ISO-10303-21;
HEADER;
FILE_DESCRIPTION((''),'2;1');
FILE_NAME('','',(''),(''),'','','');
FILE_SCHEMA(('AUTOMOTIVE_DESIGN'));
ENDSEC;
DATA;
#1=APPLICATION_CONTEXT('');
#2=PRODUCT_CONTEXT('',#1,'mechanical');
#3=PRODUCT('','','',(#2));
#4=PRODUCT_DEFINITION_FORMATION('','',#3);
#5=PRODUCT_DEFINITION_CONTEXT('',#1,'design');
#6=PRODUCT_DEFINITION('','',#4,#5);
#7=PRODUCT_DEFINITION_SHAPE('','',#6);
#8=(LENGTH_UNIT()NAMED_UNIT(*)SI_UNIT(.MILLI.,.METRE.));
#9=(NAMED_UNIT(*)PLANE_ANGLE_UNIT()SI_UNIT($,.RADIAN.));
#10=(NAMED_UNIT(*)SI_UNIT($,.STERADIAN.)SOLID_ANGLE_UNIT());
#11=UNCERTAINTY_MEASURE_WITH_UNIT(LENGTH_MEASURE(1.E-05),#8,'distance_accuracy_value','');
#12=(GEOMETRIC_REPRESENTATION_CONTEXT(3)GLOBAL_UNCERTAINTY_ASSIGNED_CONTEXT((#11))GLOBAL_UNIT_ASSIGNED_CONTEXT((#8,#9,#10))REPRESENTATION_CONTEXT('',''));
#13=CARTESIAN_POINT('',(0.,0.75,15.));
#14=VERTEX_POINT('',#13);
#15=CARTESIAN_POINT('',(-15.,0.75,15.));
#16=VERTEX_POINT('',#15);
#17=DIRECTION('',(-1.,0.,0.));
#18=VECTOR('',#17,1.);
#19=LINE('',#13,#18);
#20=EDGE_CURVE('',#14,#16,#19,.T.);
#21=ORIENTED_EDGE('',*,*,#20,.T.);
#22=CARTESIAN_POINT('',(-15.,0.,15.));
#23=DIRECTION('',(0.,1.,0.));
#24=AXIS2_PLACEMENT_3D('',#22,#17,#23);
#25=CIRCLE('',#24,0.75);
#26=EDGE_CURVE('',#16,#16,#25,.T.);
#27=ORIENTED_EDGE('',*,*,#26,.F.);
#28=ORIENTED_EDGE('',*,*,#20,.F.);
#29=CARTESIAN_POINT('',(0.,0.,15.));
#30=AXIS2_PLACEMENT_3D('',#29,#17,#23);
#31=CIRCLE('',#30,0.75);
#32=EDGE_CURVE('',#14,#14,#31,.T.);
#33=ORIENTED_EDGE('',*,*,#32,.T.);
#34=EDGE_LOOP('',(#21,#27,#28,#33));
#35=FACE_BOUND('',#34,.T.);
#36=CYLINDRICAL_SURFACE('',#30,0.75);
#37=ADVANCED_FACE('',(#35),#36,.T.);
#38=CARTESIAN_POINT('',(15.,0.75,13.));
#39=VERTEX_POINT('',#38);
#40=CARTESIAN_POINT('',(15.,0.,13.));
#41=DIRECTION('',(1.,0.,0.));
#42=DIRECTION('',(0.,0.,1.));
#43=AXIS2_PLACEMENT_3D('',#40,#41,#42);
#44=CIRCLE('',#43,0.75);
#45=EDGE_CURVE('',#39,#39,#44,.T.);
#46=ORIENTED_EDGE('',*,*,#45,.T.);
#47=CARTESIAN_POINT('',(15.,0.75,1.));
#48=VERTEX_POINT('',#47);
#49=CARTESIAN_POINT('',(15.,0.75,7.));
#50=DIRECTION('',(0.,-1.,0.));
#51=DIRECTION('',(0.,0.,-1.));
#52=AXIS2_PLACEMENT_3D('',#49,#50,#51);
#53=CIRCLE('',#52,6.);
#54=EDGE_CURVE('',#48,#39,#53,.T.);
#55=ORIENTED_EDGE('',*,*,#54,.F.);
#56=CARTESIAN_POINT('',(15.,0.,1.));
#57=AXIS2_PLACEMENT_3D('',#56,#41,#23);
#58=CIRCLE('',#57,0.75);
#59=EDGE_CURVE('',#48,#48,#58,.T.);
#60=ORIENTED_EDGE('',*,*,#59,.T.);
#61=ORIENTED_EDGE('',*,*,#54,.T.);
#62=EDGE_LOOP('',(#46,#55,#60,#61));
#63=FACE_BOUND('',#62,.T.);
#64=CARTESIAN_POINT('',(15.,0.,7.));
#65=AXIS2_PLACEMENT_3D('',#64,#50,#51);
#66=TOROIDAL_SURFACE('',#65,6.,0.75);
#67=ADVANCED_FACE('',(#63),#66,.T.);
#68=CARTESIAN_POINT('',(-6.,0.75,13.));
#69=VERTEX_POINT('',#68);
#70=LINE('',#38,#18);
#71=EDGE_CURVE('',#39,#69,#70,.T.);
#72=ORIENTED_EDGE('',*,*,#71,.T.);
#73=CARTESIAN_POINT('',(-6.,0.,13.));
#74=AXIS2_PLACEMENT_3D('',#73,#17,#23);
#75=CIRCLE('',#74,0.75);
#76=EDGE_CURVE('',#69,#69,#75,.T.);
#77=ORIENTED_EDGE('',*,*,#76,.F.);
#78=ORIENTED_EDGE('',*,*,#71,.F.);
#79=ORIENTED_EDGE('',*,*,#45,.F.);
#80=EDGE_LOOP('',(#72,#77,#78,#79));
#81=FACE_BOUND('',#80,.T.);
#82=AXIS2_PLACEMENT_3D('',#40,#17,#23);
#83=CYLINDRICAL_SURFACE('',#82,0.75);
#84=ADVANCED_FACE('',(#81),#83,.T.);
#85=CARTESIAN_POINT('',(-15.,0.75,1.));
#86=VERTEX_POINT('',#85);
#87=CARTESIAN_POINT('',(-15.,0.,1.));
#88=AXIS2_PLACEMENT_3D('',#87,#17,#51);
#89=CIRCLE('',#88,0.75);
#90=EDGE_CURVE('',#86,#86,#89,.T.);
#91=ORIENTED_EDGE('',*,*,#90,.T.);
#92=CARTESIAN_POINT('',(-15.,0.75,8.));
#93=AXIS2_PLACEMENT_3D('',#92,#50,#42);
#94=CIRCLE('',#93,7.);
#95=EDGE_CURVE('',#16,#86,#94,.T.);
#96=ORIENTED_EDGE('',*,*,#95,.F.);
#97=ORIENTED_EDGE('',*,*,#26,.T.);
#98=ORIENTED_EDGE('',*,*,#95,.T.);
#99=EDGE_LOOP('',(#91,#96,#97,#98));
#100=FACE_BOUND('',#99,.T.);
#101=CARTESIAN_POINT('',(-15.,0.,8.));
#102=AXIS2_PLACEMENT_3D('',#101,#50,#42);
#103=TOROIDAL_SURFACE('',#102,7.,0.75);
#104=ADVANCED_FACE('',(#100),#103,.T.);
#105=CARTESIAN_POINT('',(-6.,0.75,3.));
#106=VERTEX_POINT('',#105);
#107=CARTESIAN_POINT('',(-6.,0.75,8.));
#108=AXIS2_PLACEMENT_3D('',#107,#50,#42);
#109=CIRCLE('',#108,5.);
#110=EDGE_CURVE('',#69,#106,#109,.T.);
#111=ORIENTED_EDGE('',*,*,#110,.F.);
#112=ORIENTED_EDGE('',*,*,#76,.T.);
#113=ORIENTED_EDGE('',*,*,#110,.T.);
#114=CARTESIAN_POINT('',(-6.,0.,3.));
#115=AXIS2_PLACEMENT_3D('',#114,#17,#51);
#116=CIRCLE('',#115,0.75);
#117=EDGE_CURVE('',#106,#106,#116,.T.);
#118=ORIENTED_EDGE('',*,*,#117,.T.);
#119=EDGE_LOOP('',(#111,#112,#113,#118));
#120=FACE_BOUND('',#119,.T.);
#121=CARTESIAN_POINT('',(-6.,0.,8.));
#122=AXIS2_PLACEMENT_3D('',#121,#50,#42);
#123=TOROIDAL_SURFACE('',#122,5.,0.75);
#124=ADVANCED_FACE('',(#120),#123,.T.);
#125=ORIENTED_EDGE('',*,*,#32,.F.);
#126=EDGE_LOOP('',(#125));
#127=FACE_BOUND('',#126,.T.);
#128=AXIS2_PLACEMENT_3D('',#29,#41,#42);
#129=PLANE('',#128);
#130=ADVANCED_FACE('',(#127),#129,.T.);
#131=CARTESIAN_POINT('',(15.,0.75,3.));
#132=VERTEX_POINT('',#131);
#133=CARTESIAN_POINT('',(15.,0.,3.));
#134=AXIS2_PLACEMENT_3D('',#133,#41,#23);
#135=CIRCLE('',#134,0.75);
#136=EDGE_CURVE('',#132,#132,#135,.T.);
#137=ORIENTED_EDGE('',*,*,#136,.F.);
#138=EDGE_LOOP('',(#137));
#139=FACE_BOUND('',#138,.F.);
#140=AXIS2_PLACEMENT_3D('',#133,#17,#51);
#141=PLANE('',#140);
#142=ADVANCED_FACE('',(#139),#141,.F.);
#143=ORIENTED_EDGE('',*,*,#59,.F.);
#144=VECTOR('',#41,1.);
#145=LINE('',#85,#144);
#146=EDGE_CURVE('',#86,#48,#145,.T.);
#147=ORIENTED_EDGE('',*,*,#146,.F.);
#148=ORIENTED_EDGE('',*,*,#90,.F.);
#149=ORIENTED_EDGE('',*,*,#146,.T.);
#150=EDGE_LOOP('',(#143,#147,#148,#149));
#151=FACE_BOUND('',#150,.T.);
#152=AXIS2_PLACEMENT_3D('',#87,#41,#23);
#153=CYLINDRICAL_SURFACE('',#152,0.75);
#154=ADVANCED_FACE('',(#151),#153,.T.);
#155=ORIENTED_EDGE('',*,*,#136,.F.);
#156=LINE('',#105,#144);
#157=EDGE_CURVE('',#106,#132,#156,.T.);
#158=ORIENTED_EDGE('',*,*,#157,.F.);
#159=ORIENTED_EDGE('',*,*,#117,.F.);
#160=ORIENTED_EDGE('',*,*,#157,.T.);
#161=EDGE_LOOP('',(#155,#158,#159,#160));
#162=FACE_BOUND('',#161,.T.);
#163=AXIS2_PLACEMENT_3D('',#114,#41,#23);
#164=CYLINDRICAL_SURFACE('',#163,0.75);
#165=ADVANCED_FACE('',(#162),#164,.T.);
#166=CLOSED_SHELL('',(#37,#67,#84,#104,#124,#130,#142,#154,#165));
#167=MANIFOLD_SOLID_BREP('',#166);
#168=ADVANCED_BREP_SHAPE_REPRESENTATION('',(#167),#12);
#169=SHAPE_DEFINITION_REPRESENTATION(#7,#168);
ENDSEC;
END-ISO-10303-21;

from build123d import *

# Parameters (mm, degrees)
F1_R = 0.75


with BuildPart() as f2:
    # F2: sweep along a path in F0
    with BuildLine(Plane.XZ) as f2_path:
        Line((0, 15), (-15, 15))
        ThreePointArc((-15, 15), (-22, 8), (-15, 1))
        Line((-15, 1), (15, 1))
        ThreePointArc((15, 1), (21, 7), (15, 13))
        Line((15, 13), (-6, 13))
        ThreePointArc((-6, 13), (-11, 8), (-6, 3))
        Line((-6, 3), (15, 3))
    # F1 (on Right) → F2 (sweep)
    with BuildSketch(Plane.YZ):
        with Locations((0, 15)):
            Circle(F1_R)
    sweep(path=f2_path.line)


solid = f2.part
